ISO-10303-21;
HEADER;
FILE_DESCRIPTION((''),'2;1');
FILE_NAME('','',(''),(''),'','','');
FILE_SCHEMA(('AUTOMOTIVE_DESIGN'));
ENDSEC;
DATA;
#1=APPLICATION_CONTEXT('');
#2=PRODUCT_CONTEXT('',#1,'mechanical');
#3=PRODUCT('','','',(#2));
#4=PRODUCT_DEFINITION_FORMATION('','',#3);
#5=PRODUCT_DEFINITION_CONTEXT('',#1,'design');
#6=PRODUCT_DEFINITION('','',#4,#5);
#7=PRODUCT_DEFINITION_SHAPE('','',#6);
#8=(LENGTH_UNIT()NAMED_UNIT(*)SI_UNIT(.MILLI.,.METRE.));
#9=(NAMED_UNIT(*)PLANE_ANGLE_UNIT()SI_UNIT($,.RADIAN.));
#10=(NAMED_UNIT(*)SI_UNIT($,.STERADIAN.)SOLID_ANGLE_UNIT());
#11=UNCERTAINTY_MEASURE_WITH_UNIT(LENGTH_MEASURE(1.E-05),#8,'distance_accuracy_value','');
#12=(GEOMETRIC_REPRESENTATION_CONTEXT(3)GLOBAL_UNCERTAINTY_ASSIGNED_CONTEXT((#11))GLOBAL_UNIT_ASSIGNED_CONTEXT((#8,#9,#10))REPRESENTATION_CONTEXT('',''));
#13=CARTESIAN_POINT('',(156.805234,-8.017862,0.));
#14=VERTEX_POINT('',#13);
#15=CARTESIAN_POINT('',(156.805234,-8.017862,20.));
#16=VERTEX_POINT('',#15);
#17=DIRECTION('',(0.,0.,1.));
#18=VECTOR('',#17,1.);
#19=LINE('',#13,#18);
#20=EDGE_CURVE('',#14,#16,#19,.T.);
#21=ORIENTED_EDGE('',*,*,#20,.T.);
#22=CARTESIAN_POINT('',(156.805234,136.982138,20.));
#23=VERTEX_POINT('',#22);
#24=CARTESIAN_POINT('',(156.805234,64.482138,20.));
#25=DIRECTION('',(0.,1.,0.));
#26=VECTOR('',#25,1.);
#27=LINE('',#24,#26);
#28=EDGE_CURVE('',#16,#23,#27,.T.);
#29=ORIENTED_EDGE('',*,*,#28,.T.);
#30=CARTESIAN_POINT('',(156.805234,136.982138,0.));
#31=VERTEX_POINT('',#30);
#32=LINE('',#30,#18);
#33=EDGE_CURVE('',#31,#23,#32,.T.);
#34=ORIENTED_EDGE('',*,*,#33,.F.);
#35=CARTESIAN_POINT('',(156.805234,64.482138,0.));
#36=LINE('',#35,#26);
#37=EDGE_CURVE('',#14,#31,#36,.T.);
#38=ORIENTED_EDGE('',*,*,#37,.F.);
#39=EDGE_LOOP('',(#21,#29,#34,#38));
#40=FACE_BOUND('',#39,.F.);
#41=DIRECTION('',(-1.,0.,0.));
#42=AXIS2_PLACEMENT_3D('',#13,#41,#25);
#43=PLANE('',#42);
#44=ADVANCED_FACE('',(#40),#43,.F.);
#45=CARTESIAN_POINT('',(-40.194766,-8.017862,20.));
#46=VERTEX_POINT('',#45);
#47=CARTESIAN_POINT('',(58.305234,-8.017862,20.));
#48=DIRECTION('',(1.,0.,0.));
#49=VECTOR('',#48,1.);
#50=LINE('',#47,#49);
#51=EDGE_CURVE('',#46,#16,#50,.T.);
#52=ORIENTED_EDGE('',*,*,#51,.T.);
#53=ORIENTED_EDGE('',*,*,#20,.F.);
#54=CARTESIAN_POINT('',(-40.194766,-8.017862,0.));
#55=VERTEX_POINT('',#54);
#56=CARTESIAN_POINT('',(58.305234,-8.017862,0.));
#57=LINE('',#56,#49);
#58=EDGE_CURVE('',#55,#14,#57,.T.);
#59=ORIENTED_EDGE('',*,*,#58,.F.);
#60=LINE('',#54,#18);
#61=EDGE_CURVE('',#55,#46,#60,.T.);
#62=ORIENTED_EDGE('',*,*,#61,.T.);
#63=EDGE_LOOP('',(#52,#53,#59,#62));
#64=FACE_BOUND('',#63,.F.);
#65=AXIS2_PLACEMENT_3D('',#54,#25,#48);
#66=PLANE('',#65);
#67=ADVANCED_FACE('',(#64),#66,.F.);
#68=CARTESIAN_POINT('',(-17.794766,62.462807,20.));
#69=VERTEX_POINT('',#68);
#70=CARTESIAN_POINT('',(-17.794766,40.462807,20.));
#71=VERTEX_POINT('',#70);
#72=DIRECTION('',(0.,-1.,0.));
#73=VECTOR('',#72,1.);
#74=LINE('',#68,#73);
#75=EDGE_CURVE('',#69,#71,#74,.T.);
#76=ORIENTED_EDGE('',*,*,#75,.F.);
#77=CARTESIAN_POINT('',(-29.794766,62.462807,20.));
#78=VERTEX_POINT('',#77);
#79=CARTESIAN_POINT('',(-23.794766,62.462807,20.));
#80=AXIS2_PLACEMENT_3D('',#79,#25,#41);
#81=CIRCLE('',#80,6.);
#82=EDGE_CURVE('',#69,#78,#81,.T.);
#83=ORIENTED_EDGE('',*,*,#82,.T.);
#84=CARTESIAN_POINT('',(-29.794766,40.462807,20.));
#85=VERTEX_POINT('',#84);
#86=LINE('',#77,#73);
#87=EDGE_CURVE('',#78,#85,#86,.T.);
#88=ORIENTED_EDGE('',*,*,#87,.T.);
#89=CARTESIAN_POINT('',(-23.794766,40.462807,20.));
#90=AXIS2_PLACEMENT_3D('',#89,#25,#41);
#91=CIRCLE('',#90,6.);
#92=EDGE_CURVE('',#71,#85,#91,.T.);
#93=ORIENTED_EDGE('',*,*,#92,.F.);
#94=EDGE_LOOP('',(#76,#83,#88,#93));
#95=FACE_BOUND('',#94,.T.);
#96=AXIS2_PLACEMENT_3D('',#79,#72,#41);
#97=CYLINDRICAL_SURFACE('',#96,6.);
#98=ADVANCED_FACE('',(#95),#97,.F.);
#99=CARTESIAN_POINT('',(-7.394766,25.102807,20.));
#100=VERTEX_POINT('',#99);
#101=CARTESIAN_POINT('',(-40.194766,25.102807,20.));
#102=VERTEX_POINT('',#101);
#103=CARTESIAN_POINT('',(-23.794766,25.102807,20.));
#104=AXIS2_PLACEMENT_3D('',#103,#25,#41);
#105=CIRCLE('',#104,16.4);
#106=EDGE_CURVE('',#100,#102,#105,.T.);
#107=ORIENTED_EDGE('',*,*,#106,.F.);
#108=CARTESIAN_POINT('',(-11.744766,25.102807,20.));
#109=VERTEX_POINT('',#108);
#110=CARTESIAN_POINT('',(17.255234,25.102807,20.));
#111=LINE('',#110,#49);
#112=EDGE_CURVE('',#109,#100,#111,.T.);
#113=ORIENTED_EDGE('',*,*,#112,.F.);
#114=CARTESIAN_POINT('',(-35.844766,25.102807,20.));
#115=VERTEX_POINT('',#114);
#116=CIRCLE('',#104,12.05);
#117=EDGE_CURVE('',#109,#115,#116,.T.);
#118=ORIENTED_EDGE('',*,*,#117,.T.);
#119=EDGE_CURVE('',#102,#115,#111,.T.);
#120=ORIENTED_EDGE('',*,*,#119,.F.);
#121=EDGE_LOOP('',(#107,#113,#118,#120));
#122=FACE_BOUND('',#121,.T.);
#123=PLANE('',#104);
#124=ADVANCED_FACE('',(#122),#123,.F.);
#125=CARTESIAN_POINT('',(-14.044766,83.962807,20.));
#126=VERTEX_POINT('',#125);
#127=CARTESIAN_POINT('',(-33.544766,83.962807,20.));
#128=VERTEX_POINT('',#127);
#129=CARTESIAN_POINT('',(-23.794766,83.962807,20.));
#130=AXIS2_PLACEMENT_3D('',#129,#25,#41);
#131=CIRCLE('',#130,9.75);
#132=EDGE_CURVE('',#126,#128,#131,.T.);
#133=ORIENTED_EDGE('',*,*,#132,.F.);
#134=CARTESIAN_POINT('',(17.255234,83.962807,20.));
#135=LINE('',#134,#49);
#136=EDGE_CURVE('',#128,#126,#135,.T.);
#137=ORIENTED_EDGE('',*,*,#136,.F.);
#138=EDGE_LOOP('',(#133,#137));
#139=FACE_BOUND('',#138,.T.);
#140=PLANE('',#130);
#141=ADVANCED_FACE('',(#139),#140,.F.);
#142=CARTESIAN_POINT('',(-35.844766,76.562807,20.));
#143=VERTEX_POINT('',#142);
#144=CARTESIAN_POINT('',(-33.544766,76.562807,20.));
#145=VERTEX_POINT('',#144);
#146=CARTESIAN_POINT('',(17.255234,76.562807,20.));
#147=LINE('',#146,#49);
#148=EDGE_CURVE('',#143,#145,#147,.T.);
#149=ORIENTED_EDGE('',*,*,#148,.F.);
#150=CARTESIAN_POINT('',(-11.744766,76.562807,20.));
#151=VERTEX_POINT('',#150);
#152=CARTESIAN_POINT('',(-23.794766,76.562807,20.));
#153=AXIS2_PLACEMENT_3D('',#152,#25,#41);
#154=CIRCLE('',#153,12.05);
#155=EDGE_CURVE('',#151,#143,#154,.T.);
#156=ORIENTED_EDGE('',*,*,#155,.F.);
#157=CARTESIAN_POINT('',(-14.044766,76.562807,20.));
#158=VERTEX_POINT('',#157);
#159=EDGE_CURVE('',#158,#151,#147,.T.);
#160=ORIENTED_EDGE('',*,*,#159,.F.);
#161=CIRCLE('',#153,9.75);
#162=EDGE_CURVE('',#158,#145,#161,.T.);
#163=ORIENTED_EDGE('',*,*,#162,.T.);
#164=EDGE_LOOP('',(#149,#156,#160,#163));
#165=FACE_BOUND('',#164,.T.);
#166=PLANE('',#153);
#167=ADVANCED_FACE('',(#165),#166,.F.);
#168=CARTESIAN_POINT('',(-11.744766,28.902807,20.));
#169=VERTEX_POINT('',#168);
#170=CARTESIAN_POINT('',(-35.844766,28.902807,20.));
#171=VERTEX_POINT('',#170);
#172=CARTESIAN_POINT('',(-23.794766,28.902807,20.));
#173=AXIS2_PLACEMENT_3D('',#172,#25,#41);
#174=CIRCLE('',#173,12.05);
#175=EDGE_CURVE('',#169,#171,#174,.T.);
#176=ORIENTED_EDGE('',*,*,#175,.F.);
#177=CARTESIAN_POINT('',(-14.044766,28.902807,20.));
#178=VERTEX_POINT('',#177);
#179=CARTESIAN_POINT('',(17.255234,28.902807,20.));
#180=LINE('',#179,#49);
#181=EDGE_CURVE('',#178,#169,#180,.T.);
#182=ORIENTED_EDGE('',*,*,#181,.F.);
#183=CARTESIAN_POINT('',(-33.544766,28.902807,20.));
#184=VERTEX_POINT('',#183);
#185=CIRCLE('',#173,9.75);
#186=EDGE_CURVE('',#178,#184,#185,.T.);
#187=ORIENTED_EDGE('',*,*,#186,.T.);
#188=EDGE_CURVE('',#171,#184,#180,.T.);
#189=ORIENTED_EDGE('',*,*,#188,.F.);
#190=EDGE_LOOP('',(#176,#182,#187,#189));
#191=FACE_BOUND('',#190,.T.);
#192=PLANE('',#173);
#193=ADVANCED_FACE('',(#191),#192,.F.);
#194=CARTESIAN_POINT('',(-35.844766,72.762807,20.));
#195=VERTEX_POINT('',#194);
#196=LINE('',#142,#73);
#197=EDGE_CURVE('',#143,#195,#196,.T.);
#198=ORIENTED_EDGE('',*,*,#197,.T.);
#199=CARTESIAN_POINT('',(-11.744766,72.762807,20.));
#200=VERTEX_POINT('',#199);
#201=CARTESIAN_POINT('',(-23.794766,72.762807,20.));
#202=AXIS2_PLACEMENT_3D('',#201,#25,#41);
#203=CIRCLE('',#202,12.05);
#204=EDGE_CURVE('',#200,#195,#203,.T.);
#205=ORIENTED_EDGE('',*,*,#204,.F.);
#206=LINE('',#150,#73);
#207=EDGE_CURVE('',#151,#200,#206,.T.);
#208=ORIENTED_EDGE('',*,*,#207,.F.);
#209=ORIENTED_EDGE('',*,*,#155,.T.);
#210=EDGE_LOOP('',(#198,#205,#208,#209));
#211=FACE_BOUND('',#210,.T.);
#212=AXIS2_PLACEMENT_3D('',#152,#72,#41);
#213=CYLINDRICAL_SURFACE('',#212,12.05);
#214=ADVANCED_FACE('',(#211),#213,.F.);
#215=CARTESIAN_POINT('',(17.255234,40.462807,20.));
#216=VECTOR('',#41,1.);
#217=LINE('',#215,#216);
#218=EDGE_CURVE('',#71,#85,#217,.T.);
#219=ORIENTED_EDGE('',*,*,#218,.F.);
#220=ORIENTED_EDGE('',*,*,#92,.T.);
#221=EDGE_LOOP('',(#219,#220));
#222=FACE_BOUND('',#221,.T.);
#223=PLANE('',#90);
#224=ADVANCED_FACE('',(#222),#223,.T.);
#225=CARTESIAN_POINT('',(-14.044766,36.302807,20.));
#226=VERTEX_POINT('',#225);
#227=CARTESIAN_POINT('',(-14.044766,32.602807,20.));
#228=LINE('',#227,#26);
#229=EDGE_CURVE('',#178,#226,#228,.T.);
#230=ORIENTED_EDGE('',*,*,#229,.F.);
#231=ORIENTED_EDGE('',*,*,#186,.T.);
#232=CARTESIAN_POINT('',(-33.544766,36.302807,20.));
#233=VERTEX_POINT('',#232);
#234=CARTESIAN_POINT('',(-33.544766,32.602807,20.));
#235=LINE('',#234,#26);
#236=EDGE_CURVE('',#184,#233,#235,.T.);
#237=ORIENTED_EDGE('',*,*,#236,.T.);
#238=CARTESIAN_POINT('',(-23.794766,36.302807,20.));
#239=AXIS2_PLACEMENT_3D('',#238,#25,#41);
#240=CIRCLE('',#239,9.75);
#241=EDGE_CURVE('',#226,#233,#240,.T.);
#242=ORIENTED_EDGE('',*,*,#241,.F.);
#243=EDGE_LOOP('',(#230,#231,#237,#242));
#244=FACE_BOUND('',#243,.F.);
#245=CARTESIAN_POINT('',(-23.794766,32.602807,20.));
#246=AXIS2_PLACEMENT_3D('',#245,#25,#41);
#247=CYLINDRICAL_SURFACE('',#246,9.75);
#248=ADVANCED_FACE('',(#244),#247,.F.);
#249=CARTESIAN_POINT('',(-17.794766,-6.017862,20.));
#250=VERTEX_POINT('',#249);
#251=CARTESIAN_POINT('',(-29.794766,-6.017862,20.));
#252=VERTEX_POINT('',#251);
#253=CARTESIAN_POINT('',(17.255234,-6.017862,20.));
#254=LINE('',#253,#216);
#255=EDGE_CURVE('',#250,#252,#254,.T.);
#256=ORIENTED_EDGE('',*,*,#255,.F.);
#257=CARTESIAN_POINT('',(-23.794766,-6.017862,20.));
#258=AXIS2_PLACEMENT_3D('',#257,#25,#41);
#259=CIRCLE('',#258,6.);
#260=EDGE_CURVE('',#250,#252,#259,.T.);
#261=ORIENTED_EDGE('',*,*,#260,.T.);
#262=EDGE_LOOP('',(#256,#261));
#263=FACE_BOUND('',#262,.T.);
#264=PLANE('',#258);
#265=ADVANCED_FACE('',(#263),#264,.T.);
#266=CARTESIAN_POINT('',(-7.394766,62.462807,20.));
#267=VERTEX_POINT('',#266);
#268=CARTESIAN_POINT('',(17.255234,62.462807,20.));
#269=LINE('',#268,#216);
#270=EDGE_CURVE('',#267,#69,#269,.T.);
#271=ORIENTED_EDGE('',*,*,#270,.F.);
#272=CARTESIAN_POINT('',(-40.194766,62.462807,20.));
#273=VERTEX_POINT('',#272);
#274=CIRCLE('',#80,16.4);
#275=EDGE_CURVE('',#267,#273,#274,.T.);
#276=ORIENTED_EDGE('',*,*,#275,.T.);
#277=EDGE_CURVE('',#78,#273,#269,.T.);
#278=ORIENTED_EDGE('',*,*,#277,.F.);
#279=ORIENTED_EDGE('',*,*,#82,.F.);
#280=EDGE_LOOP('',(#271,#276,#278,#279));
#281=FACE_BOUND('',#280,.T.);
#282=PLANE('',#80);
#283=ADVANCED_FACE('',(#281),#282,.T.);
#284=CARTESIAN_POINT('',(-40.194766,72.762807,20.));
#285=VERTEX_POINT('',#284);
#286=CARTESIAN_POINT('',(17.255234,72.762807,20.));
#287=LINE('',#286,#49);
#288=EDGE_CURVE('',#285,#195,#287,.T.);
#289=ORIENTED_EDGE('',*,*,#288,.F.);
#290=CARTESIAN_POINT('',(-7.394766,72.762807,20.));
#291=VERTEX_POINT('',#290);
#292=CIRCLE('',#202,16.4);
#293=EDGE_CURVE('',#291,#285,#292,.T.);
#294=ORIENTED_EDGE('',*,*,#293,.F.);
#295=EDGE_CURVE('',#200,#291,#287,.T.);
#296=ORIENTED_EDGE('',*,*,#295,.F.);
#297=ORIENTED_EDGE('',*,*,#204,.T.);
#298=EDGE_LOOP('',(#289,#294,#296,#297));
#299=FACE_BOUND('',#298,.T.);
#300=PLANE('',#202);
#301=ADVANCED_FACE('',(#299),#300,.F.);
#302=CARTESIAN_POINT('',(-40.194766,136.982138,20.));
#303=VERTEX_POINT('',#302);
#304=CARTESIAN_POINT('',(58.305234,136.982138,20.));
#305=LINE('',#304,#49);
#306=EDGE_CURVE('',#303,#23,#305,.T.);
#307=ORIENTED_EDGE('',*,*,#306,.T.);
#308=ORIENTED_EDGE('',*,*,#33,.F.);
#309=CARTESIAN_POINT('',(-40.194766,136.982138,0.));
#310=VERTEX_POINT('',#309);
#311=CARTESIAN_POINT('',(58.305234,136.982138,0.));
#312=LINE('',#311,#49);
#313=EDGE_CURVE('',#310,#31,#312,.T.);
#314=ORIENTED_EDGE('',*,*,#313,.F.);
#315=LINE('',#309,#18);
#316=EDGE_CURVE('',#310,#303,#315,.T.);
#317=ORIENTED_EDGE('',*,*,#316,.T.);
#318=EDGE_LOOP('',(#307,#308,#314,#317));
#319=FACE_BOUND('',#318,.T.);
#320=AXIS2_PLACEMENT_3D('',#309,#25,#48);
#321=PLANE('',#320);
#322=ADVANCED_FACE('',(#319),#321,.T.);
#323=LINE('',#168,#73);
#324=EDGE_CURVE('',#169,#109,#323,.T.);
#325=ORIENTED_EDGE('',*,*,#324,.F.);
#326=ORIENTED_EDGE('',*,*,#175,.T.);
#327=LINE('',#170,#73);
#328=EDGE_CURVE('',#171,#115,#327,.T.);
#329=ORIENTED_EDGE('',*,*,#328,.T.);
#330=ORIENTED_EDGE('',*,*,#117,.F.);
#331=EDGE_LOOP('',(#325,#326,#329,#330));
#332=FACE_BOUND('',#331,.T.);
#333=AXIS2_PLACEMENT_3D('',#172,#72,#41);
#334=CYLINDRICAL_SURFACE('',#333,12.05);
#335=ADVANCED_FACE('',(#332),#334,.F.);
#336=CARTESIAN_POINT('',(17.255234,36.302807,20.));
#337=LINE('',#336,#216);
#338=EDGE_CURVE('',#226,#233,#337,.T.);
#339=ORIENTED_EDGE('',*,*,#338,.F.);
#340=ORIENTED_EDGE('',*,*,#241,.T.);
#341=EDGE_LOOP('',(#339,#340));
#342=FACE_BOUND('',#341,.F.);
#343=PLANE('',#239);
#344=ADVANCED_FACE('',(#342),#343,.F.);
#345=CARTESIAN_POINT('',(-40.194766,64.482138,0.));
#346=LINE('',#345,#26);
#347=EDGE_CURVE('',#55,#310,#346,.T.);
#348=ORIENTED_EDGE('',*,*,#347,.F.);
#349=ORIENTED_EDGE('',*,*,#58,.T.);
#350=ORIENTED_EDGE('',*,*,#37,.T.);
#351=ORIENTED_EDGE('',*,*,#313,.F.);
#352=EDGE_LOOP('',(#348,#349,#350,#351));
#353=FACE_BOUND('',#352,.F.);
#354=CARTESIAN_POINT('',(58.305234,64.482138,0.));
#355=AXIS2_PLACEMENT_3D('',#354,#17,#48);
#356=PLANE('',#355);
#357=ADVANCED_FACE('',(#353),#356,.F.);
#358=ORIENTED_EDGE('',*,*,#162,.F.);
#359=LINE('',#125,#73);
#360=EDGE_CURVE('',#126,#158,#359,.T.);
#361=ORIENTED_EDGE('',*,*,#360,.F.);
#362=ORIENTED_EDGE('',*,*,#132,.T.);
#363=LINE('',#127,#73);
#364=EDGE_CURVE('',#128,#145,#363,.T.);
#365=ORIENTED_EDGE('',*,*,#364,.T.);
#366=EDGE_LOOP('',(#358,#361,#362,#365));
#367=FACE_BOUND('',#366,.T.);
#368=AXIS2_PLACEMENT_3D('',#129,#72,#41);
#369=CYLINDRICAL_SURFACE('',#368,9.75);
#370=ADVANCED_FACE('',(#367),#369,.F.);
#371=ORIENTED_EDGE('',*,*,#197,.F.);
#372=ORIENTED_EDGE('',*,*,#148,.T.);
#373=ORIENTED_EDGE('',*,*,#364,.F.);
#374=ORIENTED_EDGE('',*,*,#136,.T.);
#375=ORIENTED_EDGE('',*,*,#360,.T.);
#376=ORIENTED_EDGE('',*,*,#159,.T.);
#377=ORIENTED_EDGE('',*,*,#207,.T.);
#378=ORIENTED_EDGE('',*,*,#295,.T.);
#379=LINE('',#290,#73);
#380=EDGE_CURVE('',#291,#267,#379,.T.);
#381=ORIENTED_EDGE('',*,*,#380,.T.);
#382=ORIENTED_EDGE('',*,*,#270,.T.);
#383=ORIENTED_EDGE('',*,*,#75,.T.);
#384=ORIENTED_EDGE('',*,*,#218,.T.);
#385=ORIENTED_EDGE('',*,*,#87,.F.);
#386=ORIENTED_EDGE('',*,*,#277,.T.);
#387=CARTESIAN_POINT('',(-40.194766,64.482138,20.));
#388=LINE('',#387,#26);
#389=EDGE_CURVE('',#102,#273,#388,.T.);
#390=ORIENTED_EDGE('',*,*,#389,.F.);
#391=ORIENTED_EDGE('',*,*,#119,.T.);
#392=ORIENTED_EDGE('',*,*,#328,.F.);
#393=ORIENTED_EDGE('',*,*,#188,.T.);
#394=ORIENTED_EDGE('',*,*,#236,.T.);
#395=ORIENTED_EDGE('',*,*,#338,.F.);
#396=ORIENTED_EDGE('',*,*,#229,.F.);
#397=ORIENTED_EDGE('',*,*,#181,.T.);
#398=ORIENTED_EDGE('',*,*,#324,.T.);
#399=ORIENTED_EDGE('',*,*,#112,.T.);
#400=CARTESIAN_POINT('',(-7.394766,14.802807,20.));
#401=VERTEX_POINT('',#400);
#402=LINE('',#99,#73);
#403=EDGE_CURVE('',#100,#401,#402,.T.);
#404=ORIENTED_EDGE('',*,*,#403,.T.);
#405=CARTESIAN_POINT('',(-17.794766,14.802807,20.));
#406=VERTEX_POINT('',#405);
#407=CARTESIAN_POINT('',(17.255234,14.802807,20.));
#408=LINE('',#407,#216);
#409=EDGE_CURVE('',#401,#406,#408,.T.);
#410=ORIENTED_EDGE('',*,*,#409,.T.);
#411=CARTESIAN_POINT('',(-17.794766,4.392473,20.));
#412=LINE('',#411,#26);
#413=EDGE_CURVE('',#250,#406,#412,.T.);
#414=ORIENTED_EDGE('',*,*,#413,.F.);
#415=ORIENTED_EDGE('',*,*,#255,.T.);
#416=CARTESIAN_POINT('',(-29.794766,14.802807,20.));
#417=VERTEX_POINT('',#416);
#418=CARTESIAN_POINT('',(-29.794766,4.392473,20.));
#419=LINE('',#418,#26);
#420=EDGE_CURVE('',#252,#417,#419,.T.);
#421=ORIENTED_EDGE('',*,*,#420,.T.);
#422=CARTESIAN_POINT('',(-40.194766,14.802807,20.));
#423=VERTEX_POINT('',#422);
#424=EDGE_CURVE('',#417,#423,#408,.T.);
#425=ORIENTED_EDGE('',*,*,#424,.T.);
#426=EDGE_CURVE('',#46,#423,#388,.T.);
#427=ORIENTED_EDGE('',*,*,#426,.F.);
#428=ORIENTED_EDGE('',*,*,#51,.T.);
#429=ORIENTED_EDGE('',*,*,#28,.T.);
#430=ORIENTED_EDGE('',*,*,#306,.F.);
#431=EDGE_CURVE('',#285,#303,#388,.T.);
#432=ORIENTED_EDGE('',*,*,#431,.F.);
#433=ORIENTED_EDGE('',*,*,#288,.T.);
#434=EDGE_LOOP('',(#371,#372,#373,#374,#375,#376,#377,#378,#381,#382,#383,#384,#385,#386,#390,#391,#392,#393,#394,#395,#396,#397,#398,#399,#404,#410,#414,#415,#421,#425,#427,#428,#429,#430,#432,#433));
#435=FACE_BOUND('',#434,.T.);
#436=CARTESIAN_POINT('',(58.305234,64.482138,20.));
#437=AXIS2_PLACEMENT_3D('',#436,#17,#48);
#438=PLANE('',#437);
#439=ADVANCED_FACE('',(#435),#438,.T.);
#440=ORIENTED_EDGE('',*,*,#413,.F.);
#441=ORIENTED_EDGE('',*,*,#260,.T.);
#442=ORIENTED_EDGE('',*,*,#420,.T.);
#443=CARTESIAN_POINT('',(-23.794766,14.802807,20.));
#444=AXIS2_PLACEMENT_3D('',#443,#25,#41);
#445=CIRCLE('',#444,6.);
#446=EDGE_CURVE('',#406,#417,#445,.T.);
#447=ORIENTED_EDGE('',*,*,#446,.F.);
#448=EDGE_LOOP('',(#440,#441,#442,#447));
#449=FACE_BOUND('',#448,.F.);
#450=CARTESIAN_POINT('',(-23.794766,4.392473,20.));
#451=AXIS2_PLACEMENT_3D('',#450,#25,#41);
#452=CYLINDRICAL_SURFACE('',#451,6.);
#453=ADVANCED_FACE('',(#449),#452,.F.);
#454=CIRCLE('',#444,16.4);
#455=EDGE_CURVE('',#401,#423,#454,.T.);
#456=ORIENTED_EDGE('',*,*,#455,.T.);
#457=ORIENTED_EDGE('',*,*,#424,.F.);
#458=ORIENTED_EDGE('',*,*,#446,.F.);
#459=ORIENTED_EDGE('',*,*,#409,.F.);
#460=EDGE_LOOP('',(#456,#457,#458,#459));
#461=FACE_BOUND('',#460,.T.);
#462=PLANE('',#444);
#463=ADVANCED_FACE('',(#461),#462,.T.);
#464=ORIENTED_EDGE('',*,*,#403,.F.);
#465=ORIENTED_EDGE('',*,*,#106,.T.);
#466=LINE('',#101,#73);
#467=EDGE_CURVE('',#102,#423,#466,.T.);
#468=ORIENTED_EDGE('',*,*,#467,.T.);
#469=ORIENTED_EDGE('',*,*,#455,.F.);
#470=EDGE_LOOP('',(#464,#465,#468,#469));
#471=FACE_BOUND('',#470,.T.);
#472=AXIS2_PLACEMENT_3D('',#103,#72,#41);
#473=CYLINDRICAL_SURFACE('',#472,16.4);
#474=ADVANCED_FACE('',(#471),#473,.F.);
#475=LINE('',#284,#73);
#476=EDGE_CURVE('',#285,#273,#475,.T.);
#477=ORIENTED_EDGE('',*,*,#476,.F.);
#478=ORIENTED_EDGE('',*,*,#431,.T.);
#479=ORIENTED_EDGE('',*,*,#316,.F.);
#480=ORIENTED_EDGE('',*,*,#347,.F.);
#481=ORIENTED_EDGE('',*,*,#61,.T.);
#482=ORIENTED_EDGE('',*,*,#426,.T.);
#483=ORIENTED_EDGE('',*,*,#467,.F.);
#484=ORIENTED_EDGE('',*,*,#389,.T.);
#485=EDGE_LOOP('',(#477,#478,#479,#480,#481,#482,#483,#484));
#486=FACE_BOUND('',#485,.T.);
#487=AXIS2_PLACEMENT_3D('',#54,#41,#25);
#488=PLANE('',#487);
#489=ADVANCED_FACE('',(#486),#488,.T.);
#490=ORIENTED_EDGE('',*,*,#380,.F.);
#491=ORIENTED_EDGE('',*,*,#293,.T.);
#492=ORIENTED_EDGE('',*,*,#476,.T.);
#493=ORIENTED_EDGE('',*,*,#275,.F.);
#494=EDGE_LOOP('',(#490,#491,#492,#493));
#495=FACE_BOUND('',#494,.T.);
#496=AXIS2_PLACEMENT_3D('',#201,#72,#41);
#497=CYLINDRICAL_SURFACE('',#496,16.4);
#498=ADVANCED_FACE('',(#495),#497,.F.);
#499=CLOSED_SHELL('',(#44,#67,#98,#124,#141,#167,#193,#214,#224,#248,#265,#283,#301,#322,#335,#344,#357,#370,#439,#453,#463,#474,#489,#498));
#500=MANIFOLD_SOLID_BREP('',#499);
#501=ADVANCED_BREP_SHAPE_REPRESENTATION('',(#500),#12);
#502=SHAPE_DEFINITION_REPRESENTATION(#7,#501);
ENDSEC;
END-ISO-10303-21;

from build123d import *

# Parameters (mm, degrees)
F0_W     = 197
F0_H     = 145
F1_DEPTH = 20
F2_W     = 6
F2_H     = 20.820669
F2_W_2   = 9.75
F2_H_2   = 7.4


with BuildPart() as f1:
    # F0 (on Top) → F1 (new body)
    with BuildSketch(Plane.XY):
        with Locations((58.305234, 64.482138)):
            Rectangle(F0_W, F0_H)
    extrude(amount=F1_DEPTH)

    # F2 (on face) → F3 (revolve, cut)
    with BuildSketch(Plane.XY.offset(20)):
        with Locations((-26.794766, 4.392473)):
            Rectangle(F2_W, F2_H)
        Polygon((-29.794766, 14.802807), (-23.794766, 14.802807), (-23.794766, 25.102807), (-35.844766, 25.102807), (-40.194766, 25.102807), (-40.194766, 14.802807), align=None)
        Polygon((-35.844766, 25.102807), (-23.794766, 25.102807), (-23.794766, 28.902807), (-33.544766, 28.902807), (-35.844766, 28.902807), align=None)
        with Locations((-28.669766, 32.602807)):
            Rectangle(F2_W_2, F2_H_2)
        Polygon((-29.794766, 40.462807), (-23.794766, 40.462807), (-23.794766, 83.962807), (-33.544766, 83.962807), (-33.544766, 76.562807), (-35.844766, 76.562807), (-35.844766, 72.762807), (-40.194766, 72.762807), (-40.194766, 62.462807), (-29.794766, 62.462807), align=None)
    revolve(axis=Axis((-23.794766, 19.952807, 20), (0, 1, 0)), mode=Mode.SUBTRACT)


solid = f1.part
